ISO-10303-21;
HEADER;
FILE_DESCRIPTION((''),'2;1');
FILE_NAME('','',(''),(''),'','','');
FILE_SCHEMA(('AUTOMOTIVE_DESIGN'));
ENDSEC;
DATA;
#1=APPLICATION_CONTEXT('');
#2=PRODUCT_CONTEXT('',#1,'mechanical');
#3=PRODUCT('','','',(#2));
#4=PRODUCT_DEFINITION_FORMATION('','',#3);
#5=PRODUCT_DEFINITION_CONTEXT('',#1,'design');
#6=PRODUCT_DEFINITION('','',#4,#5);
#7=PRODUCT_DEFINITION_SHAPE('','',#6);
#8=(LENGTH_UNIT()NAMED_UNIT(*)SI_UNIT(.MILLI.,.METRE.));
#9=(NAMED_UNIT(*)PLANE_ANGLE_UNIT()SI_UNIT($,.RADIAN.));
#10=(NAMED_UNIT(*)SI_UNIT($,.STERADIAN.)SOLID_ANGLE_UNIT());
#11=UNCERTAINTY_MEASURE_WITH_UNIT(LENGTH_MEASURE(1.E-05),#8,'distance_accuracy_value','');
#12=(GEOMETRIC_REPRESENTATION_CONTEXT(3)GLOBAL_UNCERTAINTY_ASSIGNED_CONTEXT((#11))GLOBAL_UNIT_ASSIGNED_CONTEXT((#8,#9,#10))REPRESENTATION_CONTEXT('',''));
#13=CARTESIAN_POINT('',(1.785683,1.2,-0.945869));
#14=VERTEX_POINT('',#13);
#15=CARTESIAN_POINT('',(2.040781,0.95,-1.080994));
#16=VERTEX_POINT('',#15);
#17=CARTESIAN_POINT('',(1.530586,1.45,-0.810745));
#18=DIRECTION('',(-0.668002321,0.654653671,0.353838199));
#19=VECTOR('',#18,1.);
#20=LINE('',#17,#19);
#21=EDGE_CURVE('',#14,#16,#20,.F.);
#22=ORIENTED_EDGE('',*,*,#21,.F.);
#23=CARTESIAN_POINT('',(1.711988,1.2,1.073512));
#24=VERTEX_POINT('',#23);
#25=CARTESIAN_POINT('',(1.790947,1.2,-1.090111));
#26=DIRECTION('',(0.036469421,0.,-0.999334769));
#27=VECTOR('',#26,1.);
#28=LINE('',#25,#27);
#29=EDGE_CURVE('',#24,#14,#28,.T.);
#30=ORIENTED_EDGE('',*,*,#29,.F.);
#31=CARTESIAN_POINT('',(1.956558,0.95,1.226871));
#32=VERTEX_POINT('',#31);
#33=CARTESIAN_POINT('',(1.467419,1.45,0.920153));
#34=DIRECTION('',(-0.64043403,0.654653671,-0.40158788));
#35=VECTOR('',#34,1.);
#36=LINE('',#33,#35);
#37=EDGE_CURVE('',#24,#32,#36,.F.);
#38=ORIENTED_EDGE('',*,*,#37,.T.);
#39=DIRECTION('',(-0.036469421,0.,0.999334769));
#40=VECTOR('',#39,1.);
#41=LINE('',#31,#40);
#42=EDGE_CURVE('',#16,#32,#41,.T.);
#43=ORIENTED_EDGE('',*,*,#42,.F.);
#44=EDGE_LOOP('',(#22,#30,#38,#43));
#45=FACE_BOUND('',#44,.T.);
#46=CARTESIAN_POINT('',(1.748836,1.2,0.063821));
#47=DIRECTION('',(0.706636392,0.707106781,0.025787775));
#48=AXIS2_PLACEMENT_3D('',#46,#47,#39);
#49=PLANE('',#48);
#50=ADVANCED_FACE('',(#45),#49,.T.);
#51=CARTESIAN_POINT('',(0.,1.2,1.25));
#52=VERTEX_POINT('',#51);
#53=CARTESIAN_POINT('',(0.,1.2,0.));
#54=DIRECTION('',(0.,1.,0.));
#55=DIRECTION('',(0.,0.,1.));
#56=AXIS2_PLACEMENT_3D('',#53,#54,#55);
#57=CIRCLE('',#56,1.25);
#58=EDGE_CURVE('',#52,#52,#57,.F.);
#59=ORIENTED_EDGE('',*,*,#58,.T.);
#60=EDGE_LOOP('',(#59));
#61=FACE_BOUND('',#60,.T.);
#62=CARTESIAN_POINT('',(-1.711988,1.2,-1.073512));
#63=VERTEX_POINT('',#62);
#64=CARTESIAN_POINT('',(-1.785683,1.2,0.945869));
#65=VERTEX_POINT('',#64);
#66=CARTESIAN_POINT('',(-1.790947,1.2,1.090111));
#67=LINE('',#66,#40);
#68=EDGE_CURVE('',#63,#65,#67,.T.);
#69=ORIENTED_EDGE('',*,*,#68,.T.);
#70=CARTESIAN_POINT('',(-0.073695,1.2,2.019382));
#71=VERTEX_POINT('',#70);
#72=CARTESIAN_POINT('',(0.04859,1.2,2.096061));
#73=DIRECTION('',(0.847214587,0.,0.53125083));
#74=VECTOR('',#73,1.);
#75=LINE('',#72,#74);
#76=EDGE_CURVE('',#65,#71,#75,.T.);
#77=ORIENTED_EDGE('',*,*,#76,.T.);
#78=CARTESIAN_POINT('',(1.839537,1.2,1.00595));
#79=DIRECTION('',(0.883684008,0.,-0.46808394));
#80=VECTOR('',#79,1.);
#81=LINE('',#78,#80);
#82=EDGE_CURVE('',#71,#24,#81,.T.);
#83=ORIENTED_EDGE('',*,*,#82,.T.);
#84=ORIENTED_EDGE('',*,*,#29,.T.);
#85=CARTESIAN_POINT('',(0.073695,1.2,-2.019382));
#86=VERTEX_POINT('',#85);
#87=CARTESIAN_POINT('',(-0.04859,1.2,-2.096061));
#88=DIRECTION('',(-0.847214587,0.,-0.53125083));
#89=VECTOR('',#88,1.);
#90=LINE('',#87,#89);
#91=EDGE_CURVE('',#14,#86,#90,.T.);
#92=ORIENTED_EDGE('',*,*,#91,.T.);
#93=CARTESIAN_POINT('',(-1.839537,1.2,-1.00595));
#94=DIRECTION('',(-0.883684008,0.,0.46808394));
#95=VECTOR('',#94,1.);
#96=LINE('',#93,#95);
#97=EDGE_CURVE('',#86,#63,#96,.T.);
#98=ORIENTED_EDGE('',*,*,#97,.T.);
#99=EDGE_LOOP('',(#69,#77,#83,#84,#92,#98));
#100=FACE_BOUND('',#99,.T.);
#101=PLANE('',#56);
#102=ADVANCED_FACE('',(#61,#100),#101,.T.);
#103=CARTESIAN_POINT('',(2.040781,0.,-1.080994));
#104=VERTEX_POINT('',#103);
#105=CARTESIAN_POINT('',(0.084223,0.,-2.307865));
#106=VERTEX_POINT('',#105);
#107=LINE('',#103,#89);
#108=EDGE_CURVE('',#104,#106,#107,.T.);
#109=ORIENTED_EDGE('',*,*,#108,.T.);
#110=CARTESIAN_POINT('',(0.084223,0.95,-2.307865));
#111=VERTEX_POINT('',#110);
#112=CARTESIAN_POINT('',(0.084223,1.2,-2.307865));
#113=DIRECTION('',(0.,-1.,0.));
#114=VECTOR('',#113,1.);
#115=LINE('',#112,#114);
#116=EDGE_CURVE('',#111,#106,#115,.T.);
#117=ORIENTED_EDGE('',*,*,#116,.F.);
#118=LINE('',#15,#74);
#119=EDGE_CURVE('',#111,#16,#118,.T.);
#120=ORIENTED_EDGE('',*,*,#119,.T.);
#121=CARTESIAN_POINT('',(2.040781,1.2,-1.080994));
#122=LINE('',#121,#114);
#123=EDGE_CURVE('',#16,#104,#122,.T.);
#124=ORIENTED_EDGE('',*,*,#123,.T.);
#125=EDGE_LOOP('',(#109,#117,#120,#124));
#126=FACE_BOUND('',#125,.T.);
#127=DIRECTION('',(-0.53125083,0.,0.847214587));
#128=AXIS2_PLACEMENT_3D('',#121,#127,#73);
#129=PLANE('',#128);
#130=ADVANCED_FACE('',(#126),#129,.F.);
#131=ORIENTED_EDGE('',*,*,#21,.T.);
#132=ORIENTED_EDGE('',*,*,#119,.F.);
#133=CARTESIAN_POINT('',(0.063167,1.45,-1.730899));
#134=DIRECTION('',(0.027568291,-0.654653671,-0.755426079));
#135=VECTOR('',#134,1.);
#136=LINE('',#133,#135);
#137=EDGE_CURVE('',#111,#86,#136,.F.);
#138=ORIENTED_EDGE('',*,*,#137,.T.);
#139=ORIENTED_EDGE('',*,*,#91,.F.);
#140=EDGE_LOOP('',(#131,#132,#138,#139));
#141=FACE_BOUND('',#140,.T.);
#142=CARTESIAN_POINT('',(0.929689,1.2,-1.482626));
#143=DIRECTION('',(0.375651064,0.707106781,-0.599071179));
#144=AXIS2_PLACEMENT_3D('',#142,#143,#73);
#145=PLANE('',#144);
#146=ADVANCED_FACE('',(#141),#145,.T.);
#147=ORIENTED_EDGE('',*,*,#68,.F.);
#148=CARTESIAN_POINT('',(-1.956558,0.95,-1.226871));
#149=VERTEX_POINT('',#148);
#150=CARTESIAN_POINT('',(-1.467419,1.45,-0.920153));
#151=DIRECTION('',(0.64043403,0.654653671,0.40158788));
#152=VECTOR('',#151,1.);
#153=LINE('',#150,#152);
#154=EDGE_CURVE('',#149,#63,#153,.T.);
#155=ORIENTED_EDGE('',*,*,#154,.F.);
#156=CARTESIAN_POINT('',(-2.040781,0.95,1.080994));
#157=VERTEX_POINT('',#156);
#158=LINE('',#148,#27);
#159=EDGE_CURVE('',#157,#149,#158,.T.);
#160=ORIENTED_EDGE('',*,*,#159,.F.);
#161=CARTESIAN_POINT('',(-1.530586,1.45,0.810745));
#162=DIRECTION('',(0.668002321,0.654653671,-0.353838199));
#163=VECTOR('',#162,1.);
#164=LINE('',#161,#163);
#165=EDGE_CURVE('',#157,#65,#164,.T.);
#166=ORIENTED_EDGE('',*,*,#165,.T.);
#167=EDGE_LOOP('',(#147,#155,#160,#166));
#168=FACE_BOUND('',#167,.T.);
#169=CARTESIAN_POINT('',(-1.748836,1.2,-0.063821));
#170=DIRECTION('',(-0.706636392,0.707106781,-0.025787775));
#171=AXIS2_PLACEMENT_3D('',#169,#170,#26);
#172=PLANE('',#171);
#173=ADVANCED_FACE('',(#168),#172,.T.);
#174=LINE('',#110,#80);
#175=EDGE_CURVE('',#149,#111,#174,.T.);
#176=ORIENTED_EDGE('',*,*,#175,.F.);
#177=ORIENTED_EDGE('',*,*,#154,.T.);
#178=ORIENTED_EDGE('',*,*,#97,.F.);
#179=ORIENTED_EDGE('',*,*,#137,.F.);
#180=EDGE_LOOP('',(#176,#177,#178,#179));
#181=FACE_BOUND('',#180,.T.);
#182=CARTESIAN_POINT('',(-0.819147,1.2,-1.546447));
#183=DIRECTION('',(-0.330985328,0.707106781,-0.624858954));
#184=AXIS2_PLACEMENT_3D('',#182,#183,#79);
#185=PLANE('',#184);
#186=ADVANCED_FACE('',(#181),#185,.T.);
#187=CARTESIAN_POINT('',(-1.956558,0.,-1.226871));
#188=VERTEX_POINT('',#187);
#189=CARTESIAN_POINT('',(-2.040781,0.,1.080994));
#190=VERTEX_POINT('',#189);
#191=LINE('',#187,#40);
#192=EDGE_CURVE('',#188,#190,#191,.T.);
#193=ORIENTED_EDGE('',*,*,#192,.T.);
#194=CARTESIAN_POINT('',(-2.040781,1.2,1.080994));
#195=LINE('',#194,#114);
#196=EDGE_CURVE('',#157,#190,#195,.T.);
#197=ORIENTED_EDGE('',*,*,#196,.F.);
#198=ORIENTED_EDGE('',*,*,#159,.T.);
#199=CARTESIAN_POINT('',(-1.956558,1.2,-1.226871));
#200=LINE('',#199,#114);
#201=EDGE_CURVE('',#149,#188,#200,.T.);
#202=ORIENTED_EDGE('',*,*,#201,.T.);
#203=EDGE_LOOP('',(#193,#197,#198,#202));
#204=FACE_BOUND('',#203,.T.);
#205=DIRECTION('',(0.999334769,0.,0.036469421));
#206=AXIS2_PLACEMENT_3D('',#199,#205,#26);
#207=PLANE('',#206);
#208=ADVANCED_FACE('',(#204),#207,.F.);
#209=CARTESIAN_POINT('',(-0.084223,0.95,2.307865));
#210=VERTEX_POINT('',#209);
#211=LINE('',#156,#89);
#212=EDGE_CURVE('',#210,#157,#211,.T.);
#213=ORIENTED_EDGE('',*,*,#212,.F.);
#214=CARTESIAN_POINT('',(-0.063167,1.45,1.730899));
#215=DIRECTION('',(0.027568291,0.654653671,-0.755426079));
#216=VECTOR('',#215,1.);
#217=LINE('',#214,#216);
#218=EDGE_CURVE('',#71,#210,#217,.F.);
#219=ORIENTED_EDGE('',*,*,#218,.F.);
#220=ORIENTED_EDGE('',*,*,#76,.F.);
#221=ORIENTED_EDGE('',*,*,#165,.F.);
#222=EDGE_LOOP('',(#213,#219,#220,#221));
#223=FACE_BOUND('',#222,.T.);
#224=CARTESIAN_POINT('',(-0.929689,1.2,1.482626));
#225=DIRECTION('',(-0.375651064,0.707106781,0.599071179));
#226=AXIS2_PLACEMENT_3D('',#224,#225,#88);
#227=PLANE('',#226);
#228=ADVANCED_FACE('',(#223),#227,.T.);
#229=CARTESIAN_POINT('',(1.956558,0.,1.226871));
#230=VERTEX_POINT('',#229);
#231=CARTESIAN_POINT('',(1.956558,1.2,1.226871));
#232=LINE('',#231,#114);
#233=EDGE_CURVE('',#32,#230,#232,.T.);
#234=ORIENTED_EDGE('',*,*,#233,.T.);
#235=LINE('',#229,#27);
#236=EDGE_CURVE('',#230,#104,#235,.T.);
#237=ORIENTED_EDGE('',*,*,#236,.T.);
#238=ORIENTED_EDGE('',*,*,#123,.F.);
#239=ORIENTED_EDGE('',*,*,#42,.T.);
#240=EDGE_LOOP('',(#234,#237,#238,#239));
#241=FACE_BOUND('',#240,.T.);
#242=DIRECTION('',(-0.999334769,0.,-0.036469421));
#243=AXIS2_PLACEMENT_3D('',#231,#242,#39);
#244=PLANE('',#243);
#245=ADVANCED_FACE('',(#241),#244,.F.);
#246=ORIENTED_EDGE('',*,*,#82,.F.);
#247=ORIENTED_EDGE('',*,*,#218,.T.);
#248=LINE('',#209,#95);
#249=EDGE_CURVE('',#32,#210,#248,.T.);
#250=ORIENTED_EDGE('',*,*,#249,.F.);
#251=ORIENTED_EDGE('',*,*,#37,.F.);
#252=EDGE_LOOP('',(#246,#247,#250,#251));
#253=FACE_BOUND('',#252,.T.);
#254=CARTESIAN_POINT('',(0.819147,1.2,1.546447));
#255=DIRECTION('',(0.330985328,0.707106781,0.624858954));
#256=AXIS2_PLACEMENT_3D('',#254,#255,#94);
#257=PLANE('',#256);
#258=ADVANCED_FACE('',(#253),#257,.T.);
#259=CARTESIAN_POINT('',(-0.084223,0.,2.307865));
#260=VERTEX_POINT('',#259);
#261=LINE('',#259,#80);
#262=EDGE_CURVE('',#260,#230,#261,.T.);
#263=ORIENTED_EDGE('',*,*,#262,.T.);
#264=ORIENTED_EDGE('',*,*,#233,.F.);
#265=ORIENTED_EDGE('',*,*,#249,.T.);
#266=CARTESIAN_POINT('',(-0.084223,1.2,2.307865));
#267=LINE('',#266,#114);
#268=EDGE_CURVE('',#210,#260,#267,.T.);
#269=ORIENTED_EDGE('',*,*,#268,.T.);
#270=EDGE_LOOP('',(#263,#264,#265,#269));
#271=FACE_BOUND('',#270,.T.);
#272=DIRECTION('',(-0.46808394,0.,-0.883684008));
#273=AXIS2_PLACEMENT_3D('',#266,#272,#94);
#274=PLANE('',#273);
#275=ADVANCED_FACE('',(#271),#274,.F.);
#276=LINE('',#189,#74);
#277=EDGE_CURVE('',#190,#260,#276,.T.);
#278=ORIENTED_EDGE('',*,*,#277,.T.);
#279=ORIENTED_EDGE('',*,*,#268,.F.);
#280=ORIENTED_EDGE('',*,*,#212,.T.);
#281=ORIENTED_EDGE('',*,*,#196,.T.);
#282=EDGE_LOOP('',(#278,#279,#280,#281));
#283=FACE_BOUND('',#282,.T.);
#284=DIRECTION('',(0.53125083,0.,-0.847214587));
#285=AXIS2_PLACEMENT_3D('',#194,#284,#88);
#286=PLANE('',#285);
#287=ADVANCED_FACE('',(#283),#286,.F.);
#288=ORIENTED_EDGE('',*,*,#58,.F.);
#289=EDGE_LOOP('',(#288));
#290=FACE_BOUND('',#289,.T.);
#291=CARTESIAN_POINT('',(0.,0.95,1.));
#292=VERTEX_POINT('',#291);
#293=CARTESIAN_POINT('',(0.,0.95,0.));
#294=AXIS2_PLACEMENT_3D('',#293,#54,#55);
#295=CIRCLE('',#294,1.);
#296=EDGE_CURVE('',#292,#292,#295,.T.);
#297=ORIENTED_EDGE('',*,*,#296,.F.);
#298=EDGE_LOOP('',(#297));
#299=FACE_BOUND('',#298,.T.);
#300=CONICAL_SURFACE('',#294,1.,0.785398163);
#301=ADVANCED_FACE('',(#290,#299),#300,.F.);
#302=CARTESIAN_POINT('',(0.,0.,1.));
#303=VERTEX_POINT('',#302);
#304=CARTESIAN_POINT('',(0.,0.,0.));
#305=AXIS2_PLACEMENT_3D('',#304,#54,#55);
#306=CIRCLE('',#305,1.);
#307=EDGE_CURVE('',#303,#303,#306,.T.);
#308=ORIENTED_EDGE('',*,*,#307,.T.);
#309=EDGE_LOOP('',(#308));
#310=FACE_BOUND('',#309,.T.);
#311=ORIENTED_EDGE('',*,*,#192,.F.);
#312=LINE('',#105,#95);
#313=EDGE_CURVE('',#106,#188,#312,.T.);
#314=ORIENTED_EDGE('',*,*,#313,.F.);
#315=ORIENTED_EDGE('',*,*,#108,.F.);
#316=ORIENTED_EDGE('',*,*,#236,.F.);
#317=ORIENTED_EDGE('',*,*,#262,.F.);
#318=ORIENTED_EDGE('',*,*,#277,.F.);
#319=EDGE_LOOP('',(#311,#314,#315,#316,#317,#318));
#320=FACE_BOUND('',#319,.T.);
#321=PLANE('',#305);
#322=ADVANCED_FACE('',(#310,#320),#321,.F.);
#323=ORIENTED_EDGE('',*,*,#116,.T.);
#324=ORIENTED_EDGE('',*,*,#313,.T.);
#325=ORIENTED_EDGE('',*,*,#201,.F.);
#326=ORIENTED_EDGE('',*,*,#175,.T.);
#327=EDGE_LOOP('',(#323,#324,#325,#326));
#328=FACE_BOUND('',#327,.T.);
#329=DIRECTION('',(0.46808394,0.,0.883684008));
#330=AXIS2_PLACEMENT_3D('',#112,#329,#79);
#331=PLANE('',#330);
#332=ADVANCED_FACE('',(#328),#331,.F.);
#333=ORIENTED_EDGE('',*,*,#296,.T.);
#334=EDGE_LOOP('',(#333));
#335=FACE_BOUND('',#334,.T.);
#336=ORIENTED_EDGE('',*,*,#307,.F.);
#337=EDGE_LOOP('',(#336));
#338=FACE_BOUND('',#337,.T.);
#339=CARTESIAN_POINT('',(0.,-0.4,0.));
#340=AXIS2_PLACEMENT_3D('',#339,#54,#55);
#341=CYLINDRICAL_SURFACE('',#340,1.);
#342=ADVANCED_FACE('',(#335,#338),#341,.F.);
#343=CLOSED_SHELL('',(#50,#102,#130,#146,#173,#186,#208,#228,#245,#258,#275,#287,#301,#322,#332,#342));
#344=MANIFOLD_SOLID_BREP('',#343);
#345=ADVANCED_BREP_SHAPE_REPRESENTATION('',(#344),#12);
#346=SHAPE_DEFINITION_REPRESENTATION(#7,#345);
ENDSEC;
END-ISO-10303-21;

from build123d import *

# Parameters (mm, degrees)
BOSS_EXTRUDE1_DEPTH = 1.2
SKETCH2_R           = 1
CUT_EXTRUDE1_DEPTH  = 1.6
CHAMFER1_SIZE       = 0.25


with BuildPart() as part:
    # Sketch1 → Boss-Extrude1 (new body)
    with BuildSketch(Plane(origin=(0, 0, 0), x_dir=(1, 0, 0), z_dir=(0, 1, 0))):
        Polygon((-1.956558279, 1.226871238), (-2.040780799, -1.080993554), (-0.08422252, -2.307864793), (1.956558279, -1.226871238), (2.040780799, 1.080993554), (0.08422252, 2.307864793), align=None)
    extrude(amount=BOSS_EXTRUDE1_DEPTH)

    # Sketch2 → Cut-Extrude1 (cut)
    with BuildSketch(Plane(origin=(0, 1.2, 0), x_dir=(1, 0, 0), z_dir=(0, 1, 0))):
        with Locations(Location((0, 0, 0), (0, 0, 270))):
            Circle(SKETCH2_R)
    extrude(amount=-CUT_EXTRUDE1_DEPTH, mode=Mode.SUBTRACT)

    # Chamfer1
    chamfer1_edges = [part.edges().sort_by_distance(p)[0] for p in [
        (-1.062501659, 1.2, 1.694429173),
        (0.936167879, 1.2, 1.767368015),
        (1.998669539, 1.2, 0.072938842),
        (0, 1.2, -1),
        (1.062501659, 1.2, -1.694429173),
        (-0.936167879, 1.2, -1.767368015),
        (-1.998669539, 1.2, -0.072938842),
    ]]
    chamfer(chamfer1_edges, length=CHAMFER1_SIZE)


solid = part.part
